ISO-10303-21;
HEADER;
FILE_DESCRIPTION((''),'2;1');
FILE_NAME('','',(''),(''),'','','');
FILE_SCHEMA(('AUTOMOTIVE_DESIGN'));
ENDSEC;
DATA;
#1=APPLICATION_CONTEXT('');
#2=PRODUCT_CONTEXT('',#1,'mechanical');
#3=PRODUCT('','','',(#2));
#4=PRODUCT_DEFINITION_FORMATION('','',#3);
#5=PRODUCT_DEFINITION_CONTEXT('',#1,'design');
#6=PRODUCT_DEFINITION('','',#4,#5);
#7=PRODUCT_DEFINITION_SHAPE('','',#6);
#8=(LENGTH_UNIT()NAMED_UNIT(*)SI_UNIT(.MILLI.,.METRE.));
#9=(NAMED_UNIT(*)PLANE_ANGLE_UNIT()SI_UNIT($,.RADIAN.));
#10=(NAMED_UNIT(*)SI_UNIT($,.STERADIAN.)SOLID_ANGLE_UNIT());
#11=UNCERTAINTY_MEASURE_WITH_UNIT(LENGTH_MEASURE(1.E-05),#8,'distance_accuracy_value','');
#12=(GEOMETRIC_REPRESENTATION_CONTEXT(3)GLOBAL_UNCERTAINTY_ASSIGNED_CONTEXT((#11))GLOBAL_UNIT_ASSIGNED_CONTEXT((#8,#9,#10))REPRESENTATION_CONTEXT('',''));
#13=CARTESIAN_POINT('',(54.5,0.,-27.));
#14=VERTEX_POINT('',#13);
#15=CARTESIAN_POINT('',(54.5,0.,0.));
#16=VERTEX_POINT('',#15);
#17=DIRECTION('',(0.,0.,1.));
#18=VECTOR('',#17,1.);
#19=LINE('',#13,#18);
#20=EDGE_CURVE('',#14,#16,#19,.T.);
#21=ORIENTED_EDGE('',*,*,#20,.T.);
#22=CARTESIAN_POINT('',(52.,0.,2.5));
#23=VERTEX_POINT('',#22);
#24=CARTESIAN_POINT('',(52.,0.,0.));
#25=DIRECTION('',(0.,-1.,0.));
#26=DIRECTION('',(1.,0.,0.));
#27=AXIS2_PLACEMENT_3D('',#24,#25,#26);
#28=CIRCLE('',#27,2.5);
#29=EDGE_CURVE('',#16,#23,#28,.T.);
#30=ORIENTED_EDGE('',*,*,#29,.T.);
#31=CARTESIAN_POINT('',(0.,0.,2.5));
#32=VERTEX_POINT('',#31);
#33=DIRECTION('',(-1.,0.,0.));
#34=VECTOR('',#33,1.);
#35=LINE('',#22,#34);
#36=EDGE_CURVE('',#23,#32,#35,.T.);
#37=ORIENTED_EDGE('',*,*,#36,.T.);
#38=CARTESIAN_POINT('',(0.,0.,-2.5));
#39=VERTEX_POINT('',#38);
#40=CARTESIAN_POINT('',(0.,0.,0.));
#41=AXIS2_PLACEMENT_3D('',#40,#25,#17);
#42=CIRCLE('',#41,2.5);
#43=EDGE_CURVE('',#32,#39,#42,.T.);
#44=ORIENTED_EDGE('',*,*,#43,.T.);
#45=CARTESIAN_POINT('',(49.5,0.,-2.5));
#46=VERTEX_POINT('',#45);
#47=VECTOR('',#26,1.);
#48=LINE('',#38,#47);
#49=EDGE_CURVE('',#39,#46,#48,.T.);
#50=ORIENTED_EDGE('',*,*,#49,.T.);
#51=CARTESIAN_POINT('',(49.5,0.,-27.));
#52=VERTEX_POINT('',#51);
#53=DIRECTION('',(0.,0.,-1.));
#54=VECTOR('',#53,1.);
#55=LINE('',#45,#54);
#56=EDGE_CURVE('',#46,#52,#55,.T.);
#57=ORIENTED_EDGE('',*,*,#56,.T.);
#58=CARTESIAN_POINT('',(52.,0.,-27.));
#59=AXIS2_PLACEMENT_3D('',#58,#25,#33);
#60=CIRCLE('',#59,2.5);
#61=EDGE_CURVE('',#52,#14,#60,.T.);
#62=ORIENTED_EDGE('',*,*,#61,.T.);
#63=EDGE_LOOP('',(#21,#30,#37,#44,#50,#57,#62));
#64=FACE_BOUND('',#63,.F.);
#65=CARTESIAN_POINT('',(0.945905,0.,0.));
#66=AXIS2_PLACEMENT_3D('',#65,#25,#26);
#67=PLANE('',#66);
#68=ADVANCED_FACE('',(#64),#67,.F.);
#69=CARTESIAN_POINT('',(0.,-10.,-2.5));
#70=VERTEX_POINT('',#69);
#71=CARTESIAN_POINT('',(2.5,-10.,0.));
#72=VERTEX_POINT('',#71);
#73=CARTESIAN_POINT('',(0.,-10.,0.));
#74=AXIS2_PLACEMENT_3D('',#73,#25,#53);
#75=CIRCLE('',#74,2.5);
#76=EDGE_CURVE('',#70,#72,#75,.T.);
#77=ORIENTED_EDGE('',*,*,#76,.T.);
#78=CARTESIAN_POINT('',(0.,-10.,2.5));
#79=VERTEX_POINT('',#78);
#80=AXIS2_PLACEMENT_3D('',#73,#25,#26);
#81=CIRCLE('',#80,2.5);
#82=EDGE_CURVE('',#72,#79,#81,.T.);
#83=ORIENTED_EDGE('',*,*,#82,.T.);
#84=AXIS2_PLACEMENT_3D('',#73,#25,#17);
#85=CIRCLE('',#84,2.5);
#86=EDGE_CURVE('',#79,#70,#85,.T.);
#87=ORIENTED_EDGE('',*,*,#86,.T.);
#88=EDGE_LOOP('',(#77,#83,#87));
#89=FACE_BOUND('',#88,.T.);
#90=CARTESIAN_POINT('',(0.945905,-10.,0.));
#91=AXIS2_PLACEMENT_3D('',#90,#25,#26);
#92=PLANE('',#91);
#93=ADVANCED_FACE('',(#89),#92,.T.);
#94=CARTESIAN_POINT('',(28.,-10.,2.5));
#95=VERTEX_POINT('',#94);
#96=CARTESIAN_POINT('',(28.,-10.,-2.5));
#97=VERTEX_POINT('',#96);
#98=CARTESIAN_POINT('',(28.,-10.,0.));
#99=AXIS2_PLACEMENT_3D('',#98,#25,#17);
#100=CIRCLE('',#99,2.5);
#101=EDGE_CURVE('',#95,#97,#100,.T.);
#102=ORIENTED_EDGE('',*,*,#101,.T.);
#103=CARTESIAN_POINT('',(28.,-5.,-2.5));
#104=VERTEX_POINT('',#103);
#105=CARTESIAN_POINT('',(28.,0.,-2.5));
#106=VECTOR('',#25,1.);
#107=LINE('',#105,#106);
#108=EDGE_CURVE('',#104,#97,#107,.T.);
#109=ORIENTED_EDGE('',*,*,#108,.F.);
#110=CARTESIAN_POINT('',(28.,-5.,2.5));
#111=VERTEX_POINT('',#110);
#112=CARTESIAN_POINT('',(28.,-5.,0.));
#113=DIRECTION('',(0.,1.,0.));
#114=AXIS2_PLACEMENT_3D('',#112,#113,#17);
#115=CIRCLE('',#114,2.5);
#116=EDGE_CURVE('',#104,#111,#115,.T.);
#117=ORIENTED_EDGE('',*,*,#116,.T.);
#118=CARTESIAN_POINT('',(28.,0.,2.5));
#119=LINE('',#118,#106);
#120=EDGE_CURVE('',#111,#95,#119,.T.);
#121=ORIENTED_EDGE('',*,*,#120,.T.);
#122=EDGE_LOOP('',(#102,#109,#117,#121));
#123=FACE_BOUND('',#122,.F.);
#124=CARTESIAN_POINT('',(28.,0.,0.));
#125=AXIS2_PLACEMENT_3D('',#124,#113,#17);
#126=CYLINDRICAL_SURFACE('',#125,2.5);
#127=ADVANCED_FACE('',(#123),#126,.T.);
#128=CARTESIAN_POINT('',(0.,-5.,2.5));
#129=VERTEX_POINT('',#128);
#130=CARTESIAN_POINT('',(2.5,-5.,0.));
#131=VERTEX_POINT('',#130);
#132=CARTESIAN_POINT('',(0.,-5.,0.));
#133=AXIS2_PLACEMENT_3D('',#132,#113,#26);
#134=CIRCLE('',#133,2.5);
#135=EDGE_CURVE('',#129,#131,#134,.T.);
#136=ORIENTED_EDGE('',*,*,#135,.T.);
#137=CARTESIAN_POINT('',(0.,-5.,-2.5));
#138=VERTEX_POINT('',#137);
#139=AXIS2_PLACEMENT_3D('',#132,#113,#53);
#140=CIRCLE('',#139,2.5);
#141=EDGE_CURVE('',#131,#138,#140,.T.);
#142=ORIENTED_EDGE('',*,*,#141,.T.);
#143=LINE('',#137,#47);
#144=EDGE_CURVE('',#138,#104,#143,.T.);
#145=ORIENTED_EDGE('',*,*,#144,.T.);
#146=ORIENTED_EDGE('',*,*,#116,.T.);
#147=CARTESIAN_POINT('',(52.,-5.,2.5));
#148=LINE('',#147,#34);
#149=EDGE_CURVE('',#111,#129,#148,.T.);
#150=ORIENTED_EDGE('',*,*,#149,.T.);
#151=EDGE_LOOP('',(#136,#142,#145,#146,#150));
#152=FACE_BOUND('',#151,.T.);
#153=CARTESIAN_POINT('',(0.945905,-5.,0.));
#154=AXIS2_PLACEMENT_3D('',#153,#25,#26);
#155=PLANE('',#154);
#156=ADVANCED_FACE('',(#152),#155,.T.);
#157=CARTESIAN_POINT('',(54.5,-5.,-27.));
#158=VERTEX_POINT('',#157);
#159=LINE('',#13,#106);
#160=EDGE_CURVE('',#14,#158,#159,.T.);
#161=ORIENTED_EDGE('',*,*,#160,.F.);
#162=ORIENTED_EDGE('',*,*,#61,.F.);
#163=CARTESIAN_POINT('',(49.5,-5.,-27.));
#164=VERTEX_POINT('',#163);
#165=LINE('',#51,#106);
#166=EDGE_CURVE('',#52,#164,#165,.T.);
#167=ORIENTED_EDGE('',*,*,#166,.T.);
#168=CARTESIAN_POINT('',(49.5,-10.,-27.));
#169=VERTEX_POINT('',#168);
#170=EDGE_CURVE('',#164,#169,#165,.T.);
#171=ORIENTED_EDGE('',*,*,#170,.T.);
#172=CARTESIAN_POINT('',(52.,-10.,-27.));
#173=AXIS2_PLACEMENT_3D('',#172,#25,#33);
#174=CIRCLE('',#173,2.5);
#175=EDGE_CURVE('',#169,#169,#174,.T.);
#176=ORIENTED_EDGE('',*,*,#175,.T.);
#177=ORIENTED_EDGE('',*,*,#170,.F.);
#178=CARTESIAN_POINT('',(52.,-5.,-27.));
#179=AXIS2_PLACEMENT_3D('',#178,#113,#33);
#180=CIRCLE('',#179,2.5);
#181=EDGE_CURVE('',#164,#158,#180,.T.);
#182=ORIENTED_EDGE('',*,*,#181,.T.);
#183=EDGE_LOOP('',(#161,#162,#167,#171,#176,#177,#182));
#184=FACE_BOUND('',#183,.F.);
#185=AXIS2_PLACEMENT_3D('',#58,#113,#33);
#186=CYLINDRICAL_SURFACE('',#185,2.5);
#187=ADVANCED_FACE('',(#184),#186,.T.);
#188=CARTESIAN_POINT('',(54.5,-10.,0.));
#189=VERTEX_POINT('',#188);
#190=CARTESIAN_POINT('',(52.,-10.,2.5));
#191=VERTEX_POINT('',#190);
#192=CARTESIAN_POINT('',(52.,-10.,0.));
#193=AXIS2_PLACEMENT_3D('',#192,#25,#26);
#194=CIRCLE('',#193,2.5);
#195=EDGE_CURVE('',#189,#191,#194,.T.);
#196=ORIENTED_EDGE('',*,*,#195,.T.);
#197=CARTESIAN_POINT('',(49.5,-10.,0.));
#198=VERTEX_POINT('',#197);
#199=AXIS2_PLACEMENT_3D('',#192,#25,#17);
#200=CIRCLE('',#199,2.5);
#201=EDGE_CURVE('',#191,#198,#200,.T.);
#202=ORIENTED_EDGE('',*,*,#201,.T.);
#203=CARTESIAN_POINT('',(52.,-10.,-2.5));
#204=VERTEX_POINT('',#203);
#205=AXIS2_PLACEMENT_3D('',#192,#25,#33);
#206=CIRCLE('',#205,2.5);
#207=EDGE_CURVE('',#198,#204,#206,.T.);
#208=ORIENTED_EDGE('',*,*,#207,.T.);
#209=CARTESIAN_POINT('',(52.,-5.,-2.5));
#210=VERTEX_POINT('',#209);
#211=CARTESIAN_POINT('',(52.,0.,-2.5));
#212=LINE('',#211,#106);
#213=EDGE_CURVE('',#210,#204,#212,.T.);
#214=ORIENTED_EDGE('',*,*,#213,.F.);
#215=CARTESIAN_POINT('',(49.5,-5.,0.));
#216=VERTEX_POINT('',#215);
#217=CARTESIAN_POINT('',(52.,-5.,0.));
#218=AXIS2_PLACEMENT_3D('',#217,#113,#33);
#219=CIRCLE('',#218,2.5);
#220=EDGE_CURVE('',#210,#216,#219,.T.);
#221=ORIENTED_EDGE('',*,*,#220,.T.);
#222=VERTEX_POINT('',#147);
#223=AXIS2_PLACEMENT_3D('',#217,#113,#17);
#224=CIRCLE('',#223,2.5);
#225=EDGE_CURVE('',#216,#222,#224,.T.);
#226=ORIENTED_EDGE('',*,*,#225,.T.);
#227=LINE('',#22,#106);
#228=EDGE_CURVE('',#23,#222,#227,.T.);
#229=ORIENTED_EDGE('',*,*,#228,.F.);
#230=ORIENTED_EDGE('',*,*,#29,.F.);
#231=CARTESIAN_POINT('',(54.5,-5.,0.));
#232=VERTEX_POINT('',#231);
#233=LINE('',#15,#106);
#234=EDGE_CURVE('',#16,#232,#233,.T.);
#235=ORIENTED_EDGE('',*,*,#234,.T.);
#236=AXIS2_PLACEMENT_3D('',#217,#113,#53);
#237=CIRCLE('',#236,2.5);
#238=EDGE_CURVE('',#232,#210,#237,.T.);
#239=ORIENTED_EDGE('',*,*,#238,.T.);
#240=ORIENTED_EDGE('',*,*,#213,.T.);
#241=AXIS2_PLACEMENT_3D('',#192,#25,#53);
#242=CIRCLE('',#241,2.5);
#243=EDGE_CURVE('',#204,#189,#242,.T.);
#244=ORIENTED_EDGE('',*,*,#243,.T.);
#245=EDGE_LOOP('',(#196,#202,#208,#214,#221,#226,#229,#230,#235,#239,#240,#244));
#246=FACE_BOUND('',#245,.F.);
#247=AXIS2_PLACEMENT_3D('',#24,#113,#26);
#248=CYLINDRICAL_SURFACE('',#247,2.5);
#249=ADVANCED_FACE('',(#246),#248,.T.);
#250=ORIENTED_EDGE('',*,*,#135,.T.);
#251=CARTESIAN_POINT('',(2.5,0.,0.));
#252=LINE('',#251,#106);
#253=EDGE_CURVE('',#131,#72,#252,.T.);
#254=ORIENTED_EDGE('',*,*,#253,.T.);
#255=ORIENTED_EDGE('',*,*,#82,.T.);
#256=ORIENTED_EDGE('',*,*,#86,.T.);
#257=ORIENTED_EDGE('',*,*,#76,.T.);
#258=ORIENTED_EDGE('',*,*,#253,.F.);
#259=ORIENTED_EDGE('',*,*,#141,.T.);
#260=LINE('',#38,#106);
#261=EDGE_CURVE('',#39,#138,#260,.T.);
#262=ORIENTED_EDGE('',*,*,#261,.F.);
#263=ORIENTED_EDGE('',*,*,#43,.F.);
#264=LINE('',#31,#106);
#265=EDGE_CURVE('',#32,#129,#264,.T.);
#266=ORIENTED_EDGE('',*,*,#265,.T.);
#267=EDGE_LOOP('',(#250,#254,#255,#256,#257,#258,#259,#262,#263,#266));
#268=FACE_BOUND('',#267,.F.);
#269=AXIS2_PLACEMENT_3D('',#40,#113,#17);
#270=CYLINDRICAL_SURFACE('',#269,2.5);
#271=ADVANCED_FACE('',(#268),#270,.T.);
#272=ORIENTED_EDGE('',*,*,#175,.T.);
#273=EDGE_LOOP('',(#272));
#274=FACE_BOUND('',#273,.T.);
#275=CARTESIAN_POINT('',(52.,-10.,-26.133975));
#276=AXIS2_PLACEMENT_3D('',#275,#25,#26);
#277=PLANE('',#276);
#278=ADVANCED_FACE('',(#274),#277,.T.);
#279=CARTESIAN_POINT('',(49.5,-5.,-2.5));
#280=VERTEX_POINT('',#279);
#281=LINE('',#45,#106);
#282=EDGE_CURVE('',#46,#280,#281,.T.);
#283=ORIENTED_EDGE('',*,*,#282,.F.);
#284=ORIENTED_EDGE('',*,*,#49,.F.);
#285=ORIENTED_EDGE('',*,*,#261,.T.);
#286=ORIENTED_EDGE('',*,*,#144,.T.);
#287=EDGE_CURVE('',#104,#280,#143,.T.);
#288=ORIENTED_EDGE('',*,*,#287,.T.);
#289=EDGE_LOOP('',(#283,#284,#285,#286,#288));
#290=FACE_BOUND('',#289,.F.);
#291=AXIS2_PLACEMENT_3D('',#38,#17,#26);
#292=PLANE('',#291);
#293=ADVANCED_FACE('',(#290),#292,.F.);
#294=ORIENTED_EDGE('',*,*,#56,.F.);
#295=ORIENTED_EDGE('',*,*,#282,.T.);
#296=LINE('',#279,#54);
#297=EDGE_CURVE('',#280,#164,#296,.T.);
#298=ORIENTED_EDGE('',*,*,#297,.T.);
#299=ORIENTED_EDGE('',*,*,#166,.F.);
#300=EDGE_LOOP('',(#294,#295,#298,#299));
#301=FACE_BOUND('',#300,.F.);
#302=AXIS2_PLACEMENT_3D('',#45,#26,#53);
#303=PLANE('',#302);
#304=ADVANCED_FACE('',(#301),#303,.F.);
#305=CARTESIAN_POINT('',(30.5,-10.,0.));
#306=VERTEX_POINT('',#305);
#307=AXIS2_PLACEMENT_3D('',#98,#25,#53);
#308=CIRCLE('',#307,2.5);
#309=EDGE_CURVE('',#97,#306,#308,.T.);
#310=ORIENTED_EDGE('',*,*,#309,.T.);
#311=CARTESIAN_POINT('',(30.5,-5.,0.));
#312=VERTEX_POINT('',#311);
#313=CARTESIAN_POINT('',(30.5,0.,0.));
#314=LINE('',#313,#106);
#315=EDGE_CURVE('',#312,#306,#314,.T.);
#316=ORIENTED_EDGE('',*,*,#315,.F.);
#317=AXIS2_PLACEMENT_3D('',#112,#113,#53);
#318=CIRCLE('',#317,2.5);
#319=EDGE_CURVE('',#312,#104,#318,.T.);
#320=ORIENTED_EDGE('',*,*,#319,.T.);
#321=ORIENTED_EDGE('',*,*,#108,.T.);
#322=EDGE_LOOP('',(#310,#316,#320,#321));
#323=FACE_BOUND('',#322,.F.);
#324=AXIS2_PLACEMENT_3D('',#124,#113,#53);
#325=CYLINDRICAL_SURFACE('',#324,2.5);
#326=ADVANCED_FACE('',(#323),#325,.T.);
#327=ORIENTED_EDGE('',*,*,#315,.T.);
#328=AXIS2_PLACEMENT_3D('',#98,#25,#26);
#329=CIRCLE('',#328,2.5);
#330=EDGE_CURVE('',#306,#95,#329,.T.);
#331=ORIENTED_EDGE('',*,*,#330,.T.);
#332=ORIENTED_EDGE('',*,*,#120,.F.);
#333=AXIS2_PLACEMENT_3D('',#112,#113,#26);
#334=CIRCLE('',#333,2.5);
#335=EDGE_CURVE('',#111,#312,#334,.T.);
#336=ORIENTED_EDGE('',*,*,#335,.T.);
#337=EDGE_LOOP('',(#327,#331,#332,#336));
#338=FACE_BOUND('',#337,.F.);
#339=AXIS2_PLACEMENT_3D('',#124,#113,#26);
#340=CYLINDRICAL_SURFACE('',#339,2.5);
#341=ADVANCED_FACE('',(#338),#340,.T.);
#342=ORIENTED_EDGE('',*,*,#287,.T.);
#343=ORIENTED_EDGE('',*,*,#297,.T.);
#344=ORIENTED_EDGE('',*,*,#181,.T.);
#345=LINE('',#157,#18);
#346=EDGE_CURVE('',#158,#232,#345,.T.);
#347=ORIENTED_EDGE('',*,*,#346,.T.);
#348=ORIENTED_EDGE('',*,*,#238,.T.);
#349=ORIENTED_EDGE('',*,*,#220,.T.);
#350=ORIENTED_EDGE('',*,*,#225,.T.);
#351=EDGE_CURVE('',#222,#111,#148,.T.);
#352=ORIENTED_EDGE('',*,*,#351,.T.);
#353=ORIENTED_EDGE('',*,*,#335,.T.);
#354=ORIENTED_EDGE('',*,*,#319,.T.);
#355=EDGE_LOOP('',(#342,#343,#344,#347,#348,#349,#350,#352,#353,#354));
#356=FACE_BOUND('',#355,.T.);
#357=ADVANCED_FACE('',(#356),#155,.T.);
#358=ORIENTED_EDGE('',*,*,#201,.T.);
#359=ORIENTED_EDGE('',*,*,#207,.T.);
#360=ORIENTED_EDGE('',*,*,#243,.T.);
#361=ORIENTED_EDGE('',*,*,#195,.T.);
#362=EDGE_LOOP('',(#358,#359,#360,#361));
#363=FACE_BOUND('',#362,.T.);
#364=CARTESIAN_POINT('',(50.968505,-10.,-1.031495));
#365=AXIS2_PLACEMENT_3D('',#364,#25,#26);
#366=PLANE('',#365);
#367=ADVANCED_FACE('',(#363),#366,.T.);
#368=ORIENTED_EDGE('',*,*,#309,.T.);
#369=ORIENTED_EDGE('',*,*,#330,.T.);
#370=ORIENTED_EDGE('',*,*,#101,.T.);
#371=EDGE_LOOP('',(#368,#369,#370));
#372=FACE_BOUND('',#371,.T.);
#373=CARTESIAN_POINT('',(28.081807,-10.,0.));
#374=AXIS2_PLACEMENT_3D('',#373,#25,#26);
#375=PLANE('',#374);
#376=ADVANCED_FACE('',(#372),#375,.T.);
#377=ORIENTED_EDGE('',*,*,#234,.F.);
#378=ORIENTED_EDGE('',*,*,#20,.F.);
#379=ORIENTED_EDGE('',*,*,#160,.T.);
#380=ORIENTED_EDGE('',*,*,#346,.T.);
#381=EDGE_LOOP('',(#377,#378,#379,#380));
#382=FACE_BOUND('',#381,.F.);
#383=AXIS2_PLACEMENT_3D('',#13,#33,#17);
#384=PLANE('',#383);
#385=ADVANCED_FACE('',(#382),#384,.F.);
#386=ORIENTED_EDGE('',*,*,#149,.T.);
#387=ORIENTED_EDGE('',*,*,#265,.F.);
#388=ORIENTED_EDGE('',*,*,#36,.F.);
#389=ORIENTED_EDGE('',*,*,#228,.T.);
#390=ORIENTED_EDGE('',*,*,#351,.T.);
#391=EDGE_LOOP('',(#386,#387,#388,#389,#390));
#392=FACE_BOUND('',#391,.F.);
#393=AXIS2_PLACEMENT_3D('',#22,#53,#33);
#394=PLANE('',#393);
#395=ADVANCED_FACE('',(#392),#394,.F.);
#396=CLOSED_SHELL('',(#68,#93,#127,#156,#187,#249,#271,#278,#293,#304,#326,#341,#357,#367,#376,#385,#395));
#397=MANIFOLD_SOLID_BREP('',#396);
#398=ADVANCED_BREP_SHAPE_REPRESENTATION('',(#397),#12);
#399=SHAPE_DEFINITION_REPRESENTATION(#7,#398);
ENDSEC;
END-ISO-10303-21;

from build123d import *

# Parameters (mm, degrees)
F1_DEPTH = 5
F2_DEPTH = 10


with BuildPart() as f1:
    # F0 (on Front) → F1 (new body)
    with BuildSketch(Plane.XZ):
        with BuildLine():
            ThreePointArc((0, -2.5), (1.767766953, -1.767766953), (2.5, 0))
            ThreePointArc((2.5, 0), (1.767766953, 1.767766953), (0, 2.5))
            Line((0, 2.5), (0, -2.5))
        make_face()
        with BuildLine():
            ThreePointArc((0, 2.5), (1.767766953, 1.767766953), (2.5, 0))
            ThreePointArc((2.5, 0), (1.767766953, -1.767766953), (0, -2.5))
            Line((0, -2.5), (28, -2.5))
            ThreePointArc((28, -2.5), (25.5, 0), (28, 2.5))
            Line((28, 2.5), (0, 2.5))
        make_face()
        with BuildLine():
            Line((0, -2.5), (0, 2.5))
            ThreePointArc((0, 2.5), (-2.5, 0), (0, -2.5))
        make_face()
        with BuildLine():
            Line((52, 2.5), (28, 2.5))
            ThreePointArc((28, 2.5), (29.767766953, 1.767766953), (30.5, 0))
            ThreePointArc((30.5, 0), (29.767766953, -1.767766953), (28, -2.5))
            Line((28, -2.5), (49.5, -2.5))
            Line((49.5, -2.5), (49.5, 0))
            ThreePointArc((49.5, 0), (50.232233047, 1.767766953), (52, 2.5))
        make_face()
        with BuildLine():
            ThreePointArc((30.5, 0), (29.767766953, 1.767766953), (28, 2.5))
            ThreePointArc((28, 2.5), (25.5, 0), (28, -2.5))
            ThreePointArc((28, -2.5), (29.767766953, -1.767766953), (30.5, 0))
        make_face()
        with BuildLine():
            Line((52, 0), (52, 2.5))
            ThreePointArc((52, 2.5), (50.232233047, 1.767766953), (49.5, 0))
            Line((49.5, 0), (52, 0))
        make_face()
        with BuildLine():
            ThreePointArc((54.5, 0), (53.767766953, 1.767766953), (52, 2.5))
            Line((52, 2.5), (52, 0))
            Line((52, 0), (54.5, 0))
        make_face()
        with BuildLine():
            Line((49.5, 0), (49.5, -2.5))
            Line((49.5, -2.5), (52, -2.5))
            ThreePointArc((52, -2.5), (50.232233047, -1.767766953), (49.5, 0))
        make_face()
        with BuildLine():
            Line((52, -2.5), (49.5, -2.5))
            Line((49.5, -2.5), (49.5, -27))
            ThreePointArc((49.5, -27), (52, -24.5), (54.5, -27))
            Line((54.5, -27), (54.5, 0))
            ThreePointArc((54.5, 0), (53.767766953, -1.767766953), (52, -2.5))
        make_face()
        with BuildLine():
            ThreePointArc((52, -2.5), (53.767766953, -1.767766953), (54.5, 0))
            Line((54.5, 0), (52, 0))
            Line((52, 0), (52, -2.5))
        make_face()
        with BuildLine():
            Line((54.5, -27), (49.5, -27))
            ThreePointArc((49.5, -27), (52, -29.5), (54.5, -27))
        make_face()
        with BuildLine():
            ThreePointArc((54.5, -27), (52, -24.5), (49.5, -27))
            Line((49.5, -27), (54.5, -27))
        make_face()
        with BuildLine():
            Line((52, 0), (49.5, 0))
            ThreePointArc((49.5, 0), (50.232233047, -1.767766953), (52, -2.5))
            Line((52, -2.5), (52, 0))
        make_face()
    extrude(amount=F1_DEPTH)

    # F0 (on Front) → F2 (join)
    with BuildSketch(Plane.XZ):
        with BuildLine():
            ThreePointArc((0, -2.5), (1.767766953, -1.767766953), (2.5, 0))
            ThreePointArc((2.5, 0), (1.767766953, 1.767766953), (0, 2.5))
            Line((0, 2.5), (0, -2.5))
        make_face()
        with BuildLine():
            Line((0, -2.5), (0, 2.5))
            ThreePointArc((0, 2.5), (-2.5, 0), (0, -2.5))
        make_face()
        with BuildLine():
            ThreePointArc((30.5, 0), (29.767766953, 1.767766953), (28, 2.5))
            ThreePointArc((28, 2.5), (25.5, 0), (28, -2.5))
            ThreePointArc((28, -2.5), (29.767766953, -1.767766953), (30.5, 0))
        make_face()
        with BuildLine():
            Line((52, 0), (49.5, 0))
            ThreePointArc((49.5, 0), (50.232233047, -1.767766953), (52, -2.5))
            Line((52, -2.5), (52, 0))
        make_face()
        with BuildLine():
            ThreePointArc((52, -2.5), (53.767766953, -1.767766953), (54.5, 0))
            Line((54.5, 0), (52, 0))
            Line((52, 0), (52, -2.5))
        make_face()
        with BuildLine():
            ThreePointArc((54.5, 0), (53.767766953, 1.767766953), (52, 2.5))
            Line((52, 2.5), (52, 0))
            Line((52, 0), (54.5, 0))
        make_face()
        with BuildLine():
            Line((52, 0), (52, 2.5))
            ThreePointArc((52, 2.5), (50.232233047, 1.767766953), (49.5, 0))
            Line((49.5, 0), (52, 0))
        make_face()
        with BuildLine():
            ThreePointArc((54.5, -27), (52, -24.5), (49.5, -27))
            Line((49.5, -27), (54.5, -27))
        make_face()
        with BuildLine():
            Line((54.5, -27), (49.5, -27))
            ThreePointArc((49.5, -27), (52, -29.5), (54.5, -27))
        make_face()
    extrude(amount=F2_DEPTH)


solid = f1.part
